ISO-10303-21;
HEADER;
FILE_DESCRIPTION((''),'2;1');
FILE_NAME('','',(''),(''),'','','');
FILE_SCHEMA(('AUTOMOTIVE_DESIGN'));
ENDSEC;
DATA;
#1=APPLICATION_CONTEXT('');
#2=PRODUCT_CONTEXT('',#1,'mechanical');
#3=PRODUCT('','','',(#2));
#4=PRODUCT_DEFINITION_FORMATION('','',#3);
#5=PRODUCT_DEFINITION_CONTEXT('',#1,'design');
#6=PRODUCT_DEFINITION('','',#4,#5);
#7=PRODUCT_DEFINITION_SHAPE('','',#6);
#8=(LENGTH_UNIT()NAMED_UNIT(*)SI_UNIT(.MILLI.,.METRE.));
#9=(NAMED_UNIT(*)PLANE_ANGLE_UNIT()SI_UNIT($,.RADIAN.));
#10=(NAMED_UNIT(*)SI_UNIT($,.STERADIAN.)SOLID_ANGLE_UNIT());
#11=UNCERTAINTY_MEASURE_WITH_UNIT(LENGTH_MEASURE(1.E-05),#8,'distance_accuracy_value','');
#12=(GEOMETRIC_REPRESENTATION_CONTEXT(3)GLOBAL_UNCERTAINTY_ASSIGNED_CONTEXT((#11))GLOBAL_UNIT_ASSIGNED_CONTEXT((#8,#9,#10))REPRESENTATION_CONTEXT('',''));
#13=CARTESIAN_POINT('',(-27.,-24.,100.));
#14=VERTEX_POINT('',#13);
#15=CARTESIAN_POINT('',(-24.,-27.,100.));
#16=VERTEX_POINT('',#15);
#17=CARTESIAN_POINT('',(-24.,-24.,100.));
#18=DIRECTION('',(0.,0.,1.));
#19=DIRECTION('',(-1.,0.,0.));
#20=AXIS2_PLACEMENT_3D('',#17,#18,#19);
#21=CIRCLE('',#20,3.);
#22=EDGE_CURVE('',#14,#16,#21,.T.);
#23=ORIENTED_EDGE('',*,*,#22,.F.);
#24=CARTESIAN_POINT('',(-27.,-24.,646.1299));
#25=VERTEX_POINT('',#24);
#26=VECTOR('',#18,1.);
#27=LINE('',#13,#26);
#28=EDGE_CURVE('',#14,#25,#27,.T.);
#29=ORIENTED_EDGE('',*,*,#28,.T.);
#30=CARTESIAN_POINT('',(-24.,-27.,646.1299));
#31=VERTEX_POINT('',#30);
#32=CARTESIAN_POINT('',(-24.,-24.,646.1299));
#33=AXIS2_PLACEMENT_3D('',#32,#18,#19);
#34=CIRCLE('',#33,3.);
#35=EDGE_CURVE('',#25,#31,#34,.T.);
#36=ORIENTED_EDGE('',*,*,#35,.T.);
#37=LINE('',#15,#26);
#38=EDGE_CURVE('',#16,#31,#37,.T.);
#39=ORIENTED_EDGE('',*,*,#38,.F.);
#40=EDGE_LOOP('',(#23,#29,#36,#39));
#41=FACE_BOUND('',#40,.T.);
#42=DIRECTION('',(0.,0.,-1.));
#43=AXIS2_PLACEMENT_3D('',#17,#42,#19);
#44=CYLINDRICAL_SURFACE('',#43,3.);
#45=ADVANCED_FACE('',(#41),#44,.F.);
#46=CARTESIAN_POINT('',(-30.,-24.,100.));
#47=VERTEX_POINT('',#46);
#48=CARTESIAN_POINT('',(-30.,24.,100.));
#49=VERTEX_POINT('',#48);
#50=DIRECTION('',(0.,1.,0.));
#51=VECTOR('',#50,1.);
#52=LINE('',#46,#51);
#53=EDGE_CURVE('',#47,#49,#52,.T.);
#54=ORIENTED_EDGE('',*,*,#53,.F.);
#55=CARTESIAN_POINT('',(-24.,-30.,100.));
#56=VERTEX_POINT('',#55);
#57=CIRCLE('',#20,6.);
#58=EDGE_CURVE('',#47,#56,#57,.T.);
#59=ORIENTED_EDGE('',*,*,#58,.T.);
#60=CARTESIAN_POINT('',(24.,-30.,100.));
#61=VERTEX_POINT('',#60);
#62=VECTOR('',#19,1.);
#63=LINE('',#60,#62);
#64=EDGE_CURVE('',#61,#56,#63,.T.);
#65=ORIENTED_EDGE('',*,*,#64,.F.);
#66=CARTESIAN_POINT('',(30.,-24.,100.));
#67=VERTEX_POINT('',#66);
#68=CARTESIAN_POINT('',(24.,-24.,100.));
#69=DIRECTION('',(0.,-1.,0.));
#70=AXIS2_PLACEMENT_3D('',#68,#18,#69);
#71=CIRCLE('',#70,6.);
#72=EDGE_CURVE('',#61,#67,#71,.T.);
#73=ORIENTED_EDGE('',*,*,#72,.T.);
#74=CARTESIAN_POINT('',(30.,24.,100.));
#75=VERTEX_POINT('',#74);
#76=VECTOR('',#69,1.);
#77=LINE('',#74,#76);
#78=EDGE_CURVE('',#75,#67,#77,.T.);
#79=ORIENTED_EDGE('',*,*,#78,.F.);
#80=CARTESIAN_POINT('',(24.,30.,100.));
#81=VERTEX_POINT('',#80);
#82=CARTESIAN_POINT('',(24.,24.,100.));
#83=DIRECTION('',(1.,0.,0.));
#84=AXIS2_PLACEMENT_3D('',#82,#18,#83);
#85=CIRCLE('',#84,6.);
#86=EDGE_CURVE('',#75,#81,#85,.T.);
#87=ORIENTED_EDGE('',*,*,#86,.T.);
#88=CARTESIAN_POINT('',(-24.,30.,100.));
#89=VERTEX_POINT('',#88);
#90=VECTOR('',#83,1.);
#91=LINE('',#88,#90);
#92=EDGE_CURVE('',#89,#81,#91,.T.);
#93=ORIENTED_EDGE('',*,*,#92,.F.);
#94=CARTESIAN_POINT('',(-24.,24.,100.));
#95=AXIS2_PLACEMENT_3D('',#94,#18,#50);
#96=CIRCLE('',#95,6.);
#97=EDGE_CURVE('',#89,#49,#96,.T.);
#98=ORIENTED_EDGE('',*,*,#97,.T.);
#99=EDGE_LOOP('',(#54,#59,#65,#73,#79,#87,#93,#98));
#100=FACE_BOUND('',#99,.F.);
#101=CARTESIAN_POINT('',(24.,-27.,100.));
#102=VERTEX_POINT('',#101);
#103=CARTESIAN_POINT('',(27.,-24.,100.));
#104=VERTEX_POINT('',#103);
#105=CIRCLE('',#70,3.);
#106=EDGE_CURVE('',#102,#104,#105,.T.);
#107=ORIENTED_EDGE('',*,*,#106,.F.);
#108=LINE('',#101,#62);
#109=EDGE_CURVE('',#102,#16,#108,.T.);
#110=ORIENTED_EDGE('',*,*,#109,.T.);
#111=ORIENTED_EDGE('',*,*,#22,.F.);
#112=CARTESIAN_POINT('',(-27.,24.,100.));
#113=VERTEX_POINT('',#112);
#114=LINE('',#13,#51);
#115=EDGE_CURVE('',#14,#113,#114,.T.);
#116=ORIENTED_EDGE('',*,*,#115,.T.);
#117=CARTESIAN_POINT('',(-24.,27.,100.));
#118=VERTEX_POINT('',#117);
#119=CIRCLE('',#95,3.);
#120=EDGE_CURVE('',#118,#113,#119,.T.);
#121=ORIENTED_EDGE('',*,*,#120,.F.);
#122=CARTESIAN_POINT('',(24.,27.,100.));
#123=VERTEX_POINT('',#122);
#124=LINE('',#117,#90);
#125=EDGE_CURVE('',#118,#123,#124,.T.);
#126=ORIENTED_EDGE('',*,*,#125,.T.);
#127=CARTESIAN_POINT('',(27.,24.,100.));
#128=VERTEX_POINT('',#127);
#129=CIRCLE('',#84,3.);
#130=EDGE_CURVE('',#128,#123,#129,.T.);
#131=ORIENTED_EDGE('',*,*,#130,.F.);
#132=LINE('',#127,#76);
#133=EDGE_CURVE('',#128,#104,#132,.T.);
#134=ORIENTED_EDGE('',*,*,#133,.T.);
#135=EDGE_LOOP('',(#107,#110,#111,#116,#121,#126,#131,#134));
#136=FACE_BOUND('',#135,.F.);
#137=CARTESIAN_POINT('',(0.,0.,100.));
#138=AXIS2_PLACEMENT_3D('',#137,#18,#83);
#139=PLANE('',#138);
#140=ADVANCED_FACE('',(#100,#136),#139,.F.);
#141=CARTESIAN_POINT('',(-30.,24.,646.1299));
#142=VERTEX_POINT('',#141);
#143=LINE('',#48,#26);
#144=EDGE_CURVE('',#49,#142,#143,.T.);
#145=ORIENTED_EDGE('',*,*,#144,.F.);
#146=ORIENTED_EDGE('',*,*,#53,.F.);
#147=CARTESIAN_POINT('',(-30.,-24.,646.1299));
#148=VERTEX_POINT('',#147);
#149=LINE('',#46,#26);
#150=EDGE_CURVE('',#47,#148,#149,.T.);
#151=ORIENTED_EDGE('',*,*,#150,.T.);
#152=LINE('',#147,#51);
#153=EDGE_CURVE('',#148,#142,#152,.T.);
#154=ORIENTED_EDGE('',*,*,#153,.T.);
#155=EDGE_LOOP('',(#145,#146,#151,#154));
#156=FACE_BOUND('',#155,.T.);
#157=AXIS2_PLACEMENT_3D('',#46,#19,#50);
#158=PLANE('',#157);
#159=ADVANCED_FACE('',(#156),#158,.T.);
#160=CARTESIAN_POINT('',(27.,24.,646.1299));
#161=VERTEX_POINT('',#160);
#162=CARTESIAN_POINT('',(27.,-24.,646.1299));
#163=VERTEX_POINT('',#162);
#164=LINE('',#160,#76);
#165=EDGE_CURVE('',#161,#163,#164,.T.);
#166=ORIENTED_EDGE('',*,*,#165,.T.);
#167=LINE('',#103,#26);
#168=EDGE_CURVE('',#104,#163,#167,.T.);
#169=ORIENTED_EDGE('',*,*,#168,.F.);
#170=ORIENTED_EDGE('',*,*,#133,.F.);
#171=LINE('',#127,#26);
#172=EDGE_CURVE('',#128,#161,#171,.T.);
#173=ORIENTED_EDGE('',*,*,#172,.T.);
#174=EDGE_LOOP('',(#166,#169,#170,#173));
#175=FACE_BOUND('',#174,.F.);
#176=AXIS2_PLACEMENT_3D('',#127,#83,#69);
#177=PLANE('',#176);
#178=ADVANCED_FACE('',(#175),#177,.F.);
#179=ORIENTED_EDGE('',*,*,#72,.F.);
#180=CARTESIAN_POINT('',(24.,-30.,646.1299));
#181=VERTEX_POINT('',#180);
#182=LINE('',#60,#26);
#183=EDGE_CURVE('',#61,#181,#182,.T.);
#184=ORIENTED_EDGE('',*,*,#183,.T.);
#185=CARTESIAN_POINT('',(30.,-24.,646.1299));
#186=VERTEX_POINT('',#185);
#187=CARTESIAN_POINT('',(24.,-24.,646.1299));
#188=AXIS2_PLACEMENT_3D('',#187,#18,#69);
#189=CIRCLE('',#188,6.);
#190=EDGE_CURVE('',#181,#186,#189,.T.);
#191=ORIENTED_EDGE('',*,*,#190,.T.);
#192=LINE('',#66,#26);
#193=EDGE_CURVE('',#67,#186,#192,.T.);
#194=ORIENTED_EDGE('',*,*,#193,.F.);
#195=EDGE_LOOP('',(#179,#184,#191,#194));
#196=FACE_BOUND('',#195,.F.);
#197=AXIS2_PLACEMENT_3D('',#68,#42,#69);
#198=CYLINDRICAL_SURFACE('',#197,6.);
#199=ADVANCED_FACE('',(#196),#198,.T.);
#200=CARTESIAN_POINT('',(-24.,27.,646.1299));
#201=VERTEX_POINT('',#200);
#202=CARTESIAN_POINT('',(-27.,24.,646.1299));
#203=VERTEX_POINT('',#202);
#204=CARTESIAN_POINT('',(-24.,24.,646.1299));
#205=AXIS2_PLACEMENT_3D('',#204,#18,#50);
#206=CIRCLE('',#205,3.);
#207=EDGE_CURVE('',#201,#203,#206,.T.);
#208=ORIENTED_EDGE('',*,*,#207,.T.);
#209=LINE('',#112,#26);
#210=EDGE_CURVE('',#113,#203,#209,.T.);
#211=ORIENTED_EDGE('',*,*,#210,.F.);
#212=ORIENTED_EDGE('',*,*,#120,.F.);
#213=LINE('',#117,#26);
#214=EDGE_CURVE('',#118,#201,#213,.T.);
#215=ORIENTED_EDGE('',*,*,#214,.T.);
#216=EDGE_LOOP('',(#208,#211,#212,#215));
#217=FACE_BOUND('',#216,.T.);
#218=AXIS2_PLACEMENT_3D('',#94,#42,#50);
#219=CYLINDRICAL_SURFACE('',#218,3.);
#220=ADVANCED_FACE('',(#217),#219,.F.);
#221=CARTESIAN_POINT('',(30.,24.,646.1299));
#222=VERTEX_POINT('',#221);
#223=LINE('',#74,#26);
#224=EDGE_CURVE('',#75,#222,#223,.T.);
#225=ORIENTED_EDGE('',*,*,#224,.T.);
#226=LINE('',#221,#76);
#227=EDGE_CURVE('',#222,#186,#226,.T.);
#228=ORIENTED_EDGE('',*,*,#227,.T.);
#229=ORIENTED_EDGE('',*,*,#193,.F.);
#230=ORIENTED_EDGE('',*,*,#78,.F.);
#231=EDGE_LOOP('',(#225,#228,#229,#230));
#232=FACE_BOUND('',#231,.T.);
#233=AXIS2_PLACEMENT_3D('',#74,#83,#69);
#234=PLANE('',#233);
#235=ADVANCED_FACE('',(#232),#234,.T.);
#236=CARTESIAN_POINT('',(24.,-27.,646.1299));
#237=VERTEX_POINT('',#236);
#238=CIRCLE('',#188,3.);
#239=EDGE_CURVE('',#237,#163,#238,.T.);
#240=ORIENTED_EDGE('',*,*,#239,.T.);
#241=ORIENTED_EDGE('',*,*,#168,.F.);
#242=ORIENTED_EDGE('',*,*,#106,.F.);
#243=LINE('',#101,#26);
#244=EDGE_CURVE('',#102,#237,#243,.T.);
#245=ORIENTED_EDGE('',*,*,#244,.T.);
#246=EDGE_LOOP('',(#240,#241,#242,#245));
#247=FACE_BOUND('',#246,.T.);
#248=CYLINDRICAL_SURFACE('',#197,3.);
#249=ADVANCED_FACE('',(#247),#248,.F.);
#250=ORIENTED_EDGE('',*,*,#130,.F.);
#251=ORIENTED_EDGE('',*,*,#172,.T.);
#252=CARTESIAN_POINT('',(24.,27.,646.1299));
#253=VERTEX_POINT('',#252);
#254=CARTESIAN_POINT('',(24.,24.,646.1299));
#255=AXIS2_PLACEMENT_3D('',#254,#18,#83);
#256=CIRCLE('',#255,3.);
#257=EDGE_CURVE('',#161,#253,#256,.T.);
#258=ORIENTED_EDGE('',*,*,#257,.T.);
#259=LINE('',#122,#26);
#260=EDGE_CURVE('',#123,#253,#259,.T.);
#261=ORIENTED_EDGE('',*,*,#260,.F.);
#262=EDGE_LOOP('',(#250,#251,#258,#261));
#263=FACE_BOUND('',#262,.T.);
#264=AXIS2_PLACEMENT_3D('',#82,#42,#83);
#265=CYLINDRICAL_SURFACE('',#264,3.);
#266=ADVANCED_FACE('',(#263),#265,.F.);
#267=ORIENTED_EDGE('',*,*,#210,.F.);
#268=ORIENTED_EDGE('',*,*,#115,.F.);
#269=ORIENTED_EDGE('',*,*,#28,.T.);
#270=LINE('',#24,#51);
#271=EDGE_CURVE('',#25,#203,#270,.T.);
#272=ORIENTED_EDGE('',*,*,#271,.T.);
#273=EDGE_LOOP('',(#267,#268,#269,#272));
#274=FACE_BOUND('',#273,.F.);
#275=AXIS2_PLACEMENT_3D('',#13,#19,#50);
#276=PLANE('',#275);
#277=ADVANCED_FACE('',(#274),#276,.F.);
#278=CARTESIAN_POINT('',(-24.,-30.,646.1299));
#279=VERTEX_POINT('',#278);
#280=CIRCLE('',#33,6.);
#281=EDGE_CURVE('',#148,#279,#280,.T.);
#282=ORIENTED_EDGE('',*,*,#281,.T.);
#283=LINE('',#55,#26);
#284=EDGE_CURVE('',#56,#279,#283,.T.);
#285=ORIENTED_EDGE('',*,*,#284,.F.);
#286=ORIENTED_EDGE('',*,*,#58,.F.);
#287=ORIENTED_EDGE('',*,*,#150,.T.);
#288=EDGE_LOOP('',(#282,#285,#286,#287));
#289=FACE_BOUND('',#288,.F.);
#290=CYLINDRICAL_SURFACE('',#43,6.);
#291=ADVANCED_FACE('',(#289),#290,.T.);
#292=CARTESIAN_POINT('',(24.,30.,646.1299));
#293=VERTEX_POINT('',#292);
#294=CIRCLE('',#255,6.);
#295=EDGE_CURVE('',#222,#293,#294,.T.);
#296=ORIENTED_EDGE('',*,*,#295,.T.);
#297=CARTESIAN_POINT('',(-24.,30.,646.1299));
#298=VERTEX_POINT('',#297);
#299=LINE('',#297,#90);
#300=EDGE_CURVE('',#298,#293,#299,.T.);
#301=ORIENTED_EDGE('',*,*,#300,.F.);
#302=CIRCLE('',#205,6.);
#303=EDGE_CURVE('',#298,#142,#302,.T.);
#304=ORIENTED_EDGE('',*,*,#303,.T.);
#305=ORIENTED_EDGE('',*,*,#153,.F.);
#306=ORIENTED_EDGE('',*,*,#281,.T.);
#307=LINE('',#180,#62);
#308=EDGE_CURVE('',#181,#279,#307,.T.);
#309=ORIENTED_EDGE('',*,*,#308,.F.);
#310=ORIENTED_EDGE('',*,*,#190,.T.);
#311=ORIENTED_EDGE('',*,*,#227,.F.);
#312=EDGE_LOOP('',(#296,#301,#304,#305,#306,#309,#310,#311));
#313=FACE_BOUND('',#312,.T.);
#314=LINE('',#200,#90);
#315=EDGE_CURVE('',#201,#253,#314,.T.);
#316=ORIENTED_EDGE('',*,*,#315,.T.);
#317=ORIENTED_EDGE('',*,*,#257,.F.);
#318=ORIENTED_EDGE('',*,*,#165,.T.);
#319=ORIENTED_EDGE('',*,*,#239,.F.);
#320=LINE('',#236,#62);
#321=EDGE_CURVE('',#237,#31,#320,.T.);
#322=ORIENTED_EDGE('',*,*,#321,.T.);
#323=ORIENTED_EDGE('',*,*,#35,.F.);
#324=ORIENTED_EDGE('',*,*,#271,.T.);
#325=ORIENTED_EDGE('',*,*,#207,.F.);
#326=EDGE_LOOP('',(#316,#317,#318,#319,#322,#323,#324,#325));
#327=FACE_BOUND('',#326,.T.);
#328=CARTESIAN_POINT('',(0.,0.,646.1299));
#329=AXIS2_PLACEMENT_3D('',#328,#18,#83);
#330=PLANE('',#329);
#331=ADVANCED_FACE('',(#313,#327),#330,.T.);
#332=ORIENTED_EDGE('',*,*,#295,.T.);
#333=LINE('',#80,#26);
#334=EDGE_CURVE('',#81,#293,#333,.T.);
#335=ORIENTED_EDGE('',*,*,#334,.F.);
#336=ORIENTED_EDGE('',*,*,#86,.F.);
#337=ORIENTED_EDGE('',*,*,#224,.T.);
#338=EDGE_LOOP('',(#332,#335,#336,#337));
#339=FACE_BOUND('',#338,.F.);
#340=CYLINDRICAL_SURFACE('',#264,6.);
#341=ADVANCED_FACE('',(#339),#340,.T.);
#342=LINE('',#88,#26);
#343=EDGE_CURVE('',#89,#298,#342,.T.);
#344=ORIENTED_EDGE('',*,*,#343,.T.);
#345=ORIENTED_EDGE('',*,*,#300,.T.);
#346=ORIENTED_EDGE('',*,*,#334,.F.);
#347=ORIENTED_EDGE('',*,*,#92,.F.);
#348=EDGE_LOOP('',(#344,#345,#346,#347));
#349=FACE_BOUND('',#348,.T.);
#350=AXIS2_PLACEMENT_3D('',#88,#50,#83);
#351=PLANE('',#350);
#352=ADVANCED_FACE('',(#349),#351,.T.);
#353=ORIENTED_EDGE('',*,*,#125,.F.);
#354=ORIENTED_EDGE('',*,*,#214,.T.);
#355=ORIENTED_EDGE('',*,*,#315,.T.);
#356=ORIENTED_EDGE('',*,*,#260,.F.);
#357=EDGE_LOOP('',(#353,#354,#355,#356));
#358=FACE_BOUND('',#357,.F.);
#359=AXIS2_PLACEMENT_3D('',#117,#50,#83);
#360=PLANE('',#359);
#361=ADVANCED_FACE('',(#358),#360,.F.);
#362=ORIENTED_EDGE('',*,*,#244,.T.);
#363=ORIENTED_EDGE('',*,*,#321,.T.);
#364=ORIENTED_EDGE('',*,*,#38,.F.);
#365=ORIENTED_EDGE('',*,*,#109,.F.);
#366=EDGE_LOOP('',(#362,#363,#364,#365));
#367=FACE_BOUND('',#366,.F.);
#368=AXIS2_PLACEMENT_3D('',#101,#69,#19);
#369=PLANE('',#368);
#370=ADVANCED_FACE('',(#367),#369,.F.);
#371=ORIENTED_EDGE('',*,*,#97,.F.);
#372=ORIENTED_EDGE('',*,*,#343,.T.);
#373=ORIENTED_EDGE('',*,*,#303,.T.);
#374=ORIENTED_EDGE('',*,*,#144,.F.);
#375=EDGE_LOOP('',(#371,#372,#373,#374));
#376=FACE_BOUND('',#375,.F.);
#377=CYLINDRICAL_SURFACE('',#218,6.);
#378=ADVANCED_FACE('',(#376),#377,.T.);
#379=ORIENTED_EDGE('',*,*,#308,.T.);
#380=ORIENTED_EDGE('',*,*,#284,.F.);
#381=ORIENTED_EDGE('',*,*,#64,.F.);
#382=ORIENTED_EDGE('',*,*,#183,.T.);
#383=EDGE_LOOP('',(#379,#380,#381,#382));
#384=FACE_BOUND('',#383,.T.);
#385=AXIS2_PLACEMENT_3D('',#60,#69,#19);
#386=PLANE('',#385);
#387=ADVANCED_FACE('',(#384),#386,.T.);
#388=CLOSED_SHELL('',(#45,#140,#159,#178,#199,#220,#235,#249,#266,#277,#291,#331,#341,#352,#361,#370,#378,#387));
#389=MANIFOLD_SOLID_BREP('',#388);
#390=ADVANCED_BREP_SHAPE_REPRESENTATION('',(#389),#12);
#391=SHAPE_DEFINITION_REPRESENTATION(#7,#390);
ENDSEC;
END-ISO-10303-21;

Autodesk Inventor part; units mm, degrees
ref_plane "YZ Plane" through (0, 0, 0) normal (1, 0, 0) x (0, 1, 0)
ref_plane "Start Plane" through (0, 0, 100) normal (0, 0, 1) x (1, 0, 0)
ref_plane "End Plane" through (0, 0, 646.1299) normal (0, 0, 1) x (1, 0, 0)
sketch "Sketch" plane through (0, 0, 0) normal (0, 0, 1) x (1, 0, 0)
  line L0 (-30, -24) -> (-30, 24)
  line L1 (-24, 30) -> (24, 30)
  line L2 (30, 24) -> (30, -24)
  line L3 (24, -30) -> (-24, -30)
  arc A0 (-30, -24) -> (-24, -30) centre (-24, -24) ccw
  arc A1 (30, 24) -> (24, 30) centre (24, 24) ccw
  arc A2 (-24, 30) -> (-30, 24) centre (-24, 24) ccw
  arc A3 (24, -30) -> (30, -24) centre (24, -24) ccw
  arc A4 (-24, 27) -> (-27, 24) centre (-24, 24) ccw
  line L4 (-24, 27) -> (24, 27)
  arc A5 (27, 24) -> (24, 27) centre (24, 24) ccw
  line L5 (27, 24) -> (27, -24)
  arc A6 (24, -27) -> (27, -24) centre (24, -24) ccw
  line L6 (24, -27) -> (-24, -27)
  arc A7 (-27, -24) -> (-24, -27) centre (-24, -24) ccw
  line L7 (-27, -24) -> (-27, 24)
  line L8 (0, 43.7397) -> (0, -43.7397) construction
  line L9 (-43.7397, 0) -> (43.7397, 0) construction
  dimension "d7" = 6
  dimension "d9" = 60
  dimension "d11" = 60
  dimension "d12" = 3
  dimension "d15" = 30
  dimension "d16" = 30
extrude "Body" add sketch "Sketch" along normal up to surface (546.1299 mm away) from surface at 100
sketch "Sketch3" plane through (0, 0, 0) normal (0, 0, 1) x (1, 0, 0)
  line L0 (0, 0) -> (10, 0)
ref_plane "Work Plane3" through (0, 0, 0) normal (0, -1, 0) x (1, 0, 0)
sketch "Sketch4" plane through (0, 0, 0) normal (0, -1, 0) x (1, 0, 0)
  line L0 (-2, 100) -> (12, 100) projected
  line L1 (-2, 646.1299) -> (12, 646.1299) projected
  dimension "d18" = 546.1299
equation "\"d7\" = G_IR"
equation "\"d9\" = G_W"
equation "\"d11\" = G_H"
equation "\"d12\" = G_T"
equation "\"d15\" = 0.5 * d9"
equation "\"d16\" = 0.5 * d11"
equation "\"d3\" = G_L"
equation "\"G_W\" = 60"
equation "\"G_H\" = 60"
equation "\"G_T\" = 3"
equation "\"G_IR\" = 6"
equation "\"G_L\" = d18"
equation "\"d14\" = G_OFFSET_END + B_L"
equation "\"B_L\" = 726.12992"
equation "\"G_OFFSET_END\" = -80"
properties part number "ISO 10799-2 - 60x60x3 - 546,13" material "Steel, Mild"
